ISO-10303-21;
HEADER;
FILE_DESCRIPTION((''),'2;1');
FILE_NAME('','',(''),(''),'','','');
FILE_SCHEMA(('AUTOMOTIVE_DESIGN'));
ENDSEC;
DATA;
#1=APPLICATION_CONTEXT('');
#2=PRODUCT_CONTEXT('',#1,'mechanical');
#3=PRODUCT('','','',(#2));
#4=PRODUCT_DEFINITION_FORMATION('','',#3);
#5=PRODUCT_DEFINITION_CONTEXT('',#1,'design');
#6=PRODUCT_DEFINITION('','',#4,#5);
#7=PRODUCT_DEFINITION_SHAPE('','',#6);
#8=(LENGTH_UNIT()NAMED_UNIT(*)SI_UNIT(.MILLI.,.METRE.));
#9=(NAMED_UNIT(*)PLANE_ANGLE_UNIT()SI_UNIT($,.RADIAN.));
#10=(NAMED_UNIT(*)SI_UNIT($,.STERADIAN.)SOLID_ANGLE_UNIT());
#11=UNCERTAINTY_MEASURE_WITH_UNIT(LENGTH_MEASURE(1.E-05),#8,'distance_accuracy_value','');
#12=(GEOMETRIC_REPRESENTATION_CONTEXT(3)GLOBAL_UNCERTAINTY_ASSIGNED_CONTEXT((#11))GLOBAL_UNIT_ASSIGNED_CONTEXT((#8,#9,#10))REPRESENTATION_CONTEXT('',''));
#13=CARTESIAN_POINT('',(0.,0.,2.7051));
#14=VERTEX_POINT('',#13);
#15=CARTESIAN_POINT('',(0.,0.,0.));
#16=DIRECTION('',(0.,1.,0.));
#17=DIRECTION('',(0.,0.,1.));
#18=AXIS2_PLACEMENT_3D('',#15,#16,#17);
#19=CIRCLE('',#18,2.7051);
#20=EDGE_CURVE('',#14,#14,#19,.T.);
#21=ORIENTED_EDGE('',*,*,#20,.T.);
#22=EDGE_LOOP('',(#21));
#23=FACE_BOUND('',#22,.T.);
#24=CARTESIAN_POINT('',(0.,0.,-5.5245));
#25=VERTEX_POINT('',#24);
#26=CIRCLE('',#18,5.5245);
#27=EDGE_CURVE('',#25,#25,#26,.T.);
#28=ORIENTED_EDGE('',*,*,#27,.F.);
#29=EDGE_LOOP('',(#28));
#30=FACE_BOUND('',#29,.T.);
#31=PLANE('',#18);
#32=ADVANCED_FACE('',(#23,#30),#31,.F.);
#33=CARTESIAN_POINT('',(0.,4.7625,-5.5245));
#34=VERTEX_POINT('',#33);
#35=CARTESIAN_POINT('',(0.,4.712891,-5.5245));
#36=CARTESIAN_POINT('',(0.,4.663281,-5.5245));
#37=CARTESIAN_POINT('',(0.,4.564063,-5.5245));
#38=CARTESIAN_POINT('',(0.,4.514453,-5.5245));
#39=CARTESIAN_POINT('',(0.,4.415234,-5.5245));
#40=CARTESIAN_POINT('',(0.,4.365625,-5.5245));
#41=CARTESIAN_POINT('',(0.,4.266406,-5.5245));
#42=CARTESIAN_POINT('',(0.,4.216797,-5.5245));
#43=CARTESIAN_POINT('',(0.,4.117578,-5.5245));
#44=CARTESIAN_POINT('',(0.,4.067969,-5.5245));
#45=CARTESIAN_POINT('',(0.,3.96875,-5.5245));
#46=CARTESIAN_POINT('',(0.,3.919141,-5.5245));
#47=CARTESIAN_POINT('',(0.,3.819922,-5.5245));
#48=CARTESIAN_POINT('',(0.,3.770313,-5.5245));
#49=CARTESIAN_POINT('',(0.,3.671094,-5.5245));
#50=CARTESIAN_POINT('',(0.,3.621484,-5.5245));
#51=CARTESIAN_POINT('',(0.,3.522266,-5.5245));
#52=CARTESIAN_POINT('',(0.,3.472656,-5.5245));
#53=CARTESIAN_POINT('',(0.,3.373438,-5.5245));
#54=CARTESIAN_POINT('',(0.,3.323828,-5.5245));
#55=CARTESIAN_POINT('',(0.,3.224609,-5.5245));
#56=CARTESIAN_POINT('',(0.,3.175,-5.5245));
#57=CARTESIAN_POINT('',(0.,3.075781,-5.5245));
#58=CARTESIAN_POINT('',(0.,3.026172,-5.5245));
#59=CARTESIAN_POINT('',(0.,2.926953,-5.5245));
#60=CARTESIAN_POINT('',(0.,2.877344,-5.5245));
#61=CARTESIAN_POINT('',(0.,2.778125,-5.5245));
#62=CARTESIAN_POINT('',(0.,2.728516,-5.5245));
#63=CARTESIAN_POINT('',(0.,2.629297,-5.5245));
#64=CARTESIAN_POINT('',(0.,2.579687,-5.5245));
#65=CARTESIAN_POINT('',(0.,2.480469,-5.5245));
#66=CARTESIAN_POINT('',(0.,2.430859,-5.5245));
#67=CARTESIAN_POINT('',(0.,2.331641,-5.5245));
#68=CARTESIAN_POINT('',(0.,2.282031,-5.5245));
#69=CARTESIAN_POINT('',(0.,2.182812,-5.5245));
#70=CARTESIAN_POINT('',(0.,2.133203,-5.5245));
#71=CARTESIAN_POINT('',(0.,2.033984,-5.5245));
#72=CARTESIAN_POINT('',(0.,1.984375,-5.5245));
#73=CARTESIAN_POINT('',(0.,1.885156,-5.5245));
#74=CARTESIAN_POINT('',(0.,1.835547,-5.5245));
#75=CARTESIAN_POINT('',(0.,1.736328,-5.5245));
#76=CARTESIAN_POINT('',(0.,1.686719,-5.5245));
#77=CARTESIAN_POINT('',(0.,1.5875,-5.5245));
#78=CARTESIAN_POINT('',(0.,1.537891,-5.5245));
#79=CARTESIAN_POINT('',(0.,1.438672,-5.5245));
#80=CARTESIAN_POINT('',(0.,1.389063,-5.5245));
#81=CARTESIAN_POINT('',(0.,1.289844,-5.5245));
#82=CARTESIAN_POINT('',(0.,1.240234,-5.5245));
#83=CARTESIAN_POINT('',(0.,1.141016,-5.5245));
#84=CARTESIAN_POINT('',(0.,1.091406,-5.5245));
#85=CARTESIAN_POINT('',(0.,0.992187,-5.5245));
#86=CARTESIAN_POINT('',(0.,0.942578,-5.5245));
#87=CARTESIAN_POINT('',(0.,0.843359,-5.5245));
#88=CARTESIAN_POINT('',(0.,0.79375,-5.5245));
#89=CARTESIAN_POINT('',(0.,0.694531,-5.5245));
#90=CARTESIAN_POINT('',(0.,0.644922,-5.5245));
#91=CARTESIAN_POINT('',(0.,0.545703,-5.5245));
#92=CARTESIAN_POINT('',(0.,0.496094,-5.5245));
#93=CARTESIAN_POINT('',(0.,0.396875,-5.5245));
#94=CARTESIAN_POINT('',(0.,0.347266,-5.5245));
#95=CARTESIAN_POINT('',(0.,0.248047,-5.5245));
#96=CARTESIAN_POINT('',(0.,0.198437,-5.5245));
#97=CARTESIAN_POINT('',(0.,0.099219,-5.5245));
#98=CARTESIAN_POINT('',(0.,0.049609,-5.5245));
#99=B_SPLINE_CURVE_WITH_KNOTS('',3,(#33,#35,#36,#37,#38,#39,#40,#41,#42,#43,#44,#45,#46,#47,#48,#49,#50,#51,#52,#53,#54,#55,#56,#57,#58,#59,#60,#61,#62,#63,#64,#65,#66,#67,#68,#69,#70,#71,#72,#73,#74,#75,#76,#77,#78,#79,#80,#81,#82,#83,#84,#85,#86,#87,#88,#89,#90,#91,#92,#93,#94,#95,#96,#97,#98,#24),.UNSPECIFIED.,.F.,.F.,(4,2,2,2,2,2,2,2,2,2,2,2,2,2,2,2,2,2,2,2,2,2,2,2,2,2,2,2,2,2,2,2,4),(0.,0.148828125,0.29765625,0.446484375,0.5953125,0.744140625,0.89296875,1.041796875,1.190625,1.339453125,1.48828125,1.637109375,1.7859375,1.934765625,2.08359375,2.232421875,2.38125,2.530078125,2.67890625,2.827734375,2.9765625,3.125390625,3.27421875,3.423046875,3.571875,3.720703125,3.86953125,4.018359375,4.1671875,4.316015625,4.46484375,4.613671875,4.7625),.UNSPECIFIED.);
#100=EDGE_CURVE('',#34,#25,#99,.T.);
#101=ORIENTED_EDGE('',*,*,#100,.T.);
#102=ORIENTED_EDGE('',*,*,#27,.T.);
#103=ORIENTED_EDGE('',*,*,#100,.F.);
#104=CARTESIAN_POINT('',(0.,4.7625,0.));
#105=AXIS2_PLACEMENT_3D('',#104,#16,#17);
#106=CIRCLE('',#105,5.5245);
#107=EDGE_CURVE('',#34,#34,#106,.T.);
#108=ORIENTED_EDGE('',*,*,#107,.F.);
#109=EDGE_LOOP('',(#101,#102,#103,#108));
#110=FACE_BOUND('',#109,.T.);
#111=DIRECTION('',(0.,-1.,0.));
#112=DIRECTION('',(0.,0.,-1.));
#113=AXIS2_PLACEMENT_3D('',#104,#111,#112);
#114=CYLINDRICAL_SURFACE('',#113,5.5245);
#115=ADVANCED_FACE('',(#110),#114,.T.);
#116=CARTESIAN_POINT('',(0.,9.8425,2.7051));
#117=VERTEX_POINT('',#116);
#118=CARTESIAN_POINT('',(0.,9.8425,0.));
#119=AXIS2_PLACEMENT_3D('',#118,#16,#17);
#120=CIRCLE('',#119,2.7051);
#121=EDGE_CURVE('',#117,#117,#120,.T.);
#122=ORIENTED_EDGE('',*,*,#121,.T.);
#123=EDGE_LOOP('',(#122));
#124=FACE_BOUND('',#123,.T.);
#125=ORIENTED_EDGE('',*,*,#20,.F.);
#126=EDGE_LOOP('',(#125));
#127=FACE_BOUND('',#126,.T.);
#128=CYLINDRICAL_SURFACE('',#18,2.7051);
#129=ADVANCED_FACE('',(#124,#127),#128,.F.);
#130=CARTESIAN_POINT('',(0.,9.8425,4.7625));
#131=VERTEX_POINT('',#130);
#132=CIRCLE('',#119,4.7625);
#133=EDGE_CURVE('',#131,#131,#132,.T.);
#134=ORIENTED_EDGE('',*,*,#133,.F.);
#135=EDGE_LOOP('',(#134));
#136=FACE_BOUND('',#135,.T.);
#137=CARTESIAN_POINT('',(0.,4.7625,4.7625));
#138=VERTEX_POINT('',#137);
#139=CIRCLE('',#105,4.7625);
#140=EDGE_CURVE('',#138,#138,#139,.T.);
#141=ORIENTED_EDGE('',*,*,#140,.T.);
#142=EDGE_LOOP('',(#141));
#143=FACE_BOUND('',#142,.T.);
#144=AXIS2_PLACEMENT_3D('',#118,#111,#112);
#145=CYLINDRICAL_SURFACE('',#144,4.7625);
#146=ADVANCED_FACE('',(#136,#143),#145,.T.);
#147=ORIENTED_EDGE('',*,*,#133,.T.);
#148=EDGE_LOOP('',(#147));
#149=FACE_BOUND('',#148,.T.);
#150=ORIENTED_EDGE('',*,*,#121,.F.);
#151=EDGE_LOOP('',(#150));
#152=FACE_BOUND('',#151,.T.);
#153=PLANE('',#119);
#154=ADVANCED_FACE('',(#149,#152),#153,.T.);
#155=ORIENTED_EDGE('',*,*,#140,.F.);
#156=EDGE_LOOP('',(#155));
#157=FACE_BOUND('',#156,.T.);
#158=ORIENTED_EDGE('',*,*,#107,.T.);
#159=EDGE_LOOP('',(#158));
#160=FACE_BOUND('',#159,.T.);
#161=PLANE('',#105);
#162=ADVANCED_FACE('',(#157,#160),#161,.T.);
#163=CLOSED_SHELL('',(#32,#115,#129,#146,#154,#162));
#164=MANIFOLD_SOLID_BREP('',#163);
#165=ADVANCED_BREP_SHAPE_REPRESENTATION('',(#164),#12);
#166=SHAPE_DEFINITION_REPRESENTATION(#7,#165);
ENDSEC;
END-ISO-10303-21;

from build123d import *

# Parameters (mm, degrees)
SKETCH1_R           = 5.5245
BOSS_EXTRUDE1_DEPTH = 4.7625
SKETCH2_R           = 4.7625
BOSS_EXTRUDE2_DEPTH = 5.08
SKETCH3_R           = 2.7051
CUT_EXTRUDE1_DEPTH  = 13.566423785


with BuildPart() as part:
    # Sketch1 → Boss-Extrude1 (new body)
    with BuildSketch(Plane(origin=(0, 0, 0), x_dir=(1, 0, 0), z_dir=(0, 1, 0))):
        with Locations(Location((0, 0, 0), (0, 0, 90))):
            Circle(SKETCH1_R)
    extrude(amount=BOSS_EXTRUDE1_DEPTH)

    # Sketch2 → Boss-Extrude2 (add)
    with BuildSketch(Plane(origin=(0, 4.7625, 0), x_dir=(1, 0, 0), z_dir=(0, 1, 0))):
        with Locations(Location((0, 0, 0), (0, 0, 270))):
            Circle(SKETCH2_R)
    extrude(amount=BOSS_EXTRUDE2_DEPTH)

    # Sketch3 → Cut-Extrude1 (cut, through all)
    with BuildSketch(Plane(origin=(0, 9.8425, 0), x_dir=(1, 0, 0), z_dir=(0, 1, 0))):
        with Locations(Location((0, 0, 0), (0, 0, 270))):
            Circle(SKETCH3_R)
    extrude(amount=-CUT_EXTRUDE1_DEPTH, mode=Mode.SUBTRACT)


solid = part.part
